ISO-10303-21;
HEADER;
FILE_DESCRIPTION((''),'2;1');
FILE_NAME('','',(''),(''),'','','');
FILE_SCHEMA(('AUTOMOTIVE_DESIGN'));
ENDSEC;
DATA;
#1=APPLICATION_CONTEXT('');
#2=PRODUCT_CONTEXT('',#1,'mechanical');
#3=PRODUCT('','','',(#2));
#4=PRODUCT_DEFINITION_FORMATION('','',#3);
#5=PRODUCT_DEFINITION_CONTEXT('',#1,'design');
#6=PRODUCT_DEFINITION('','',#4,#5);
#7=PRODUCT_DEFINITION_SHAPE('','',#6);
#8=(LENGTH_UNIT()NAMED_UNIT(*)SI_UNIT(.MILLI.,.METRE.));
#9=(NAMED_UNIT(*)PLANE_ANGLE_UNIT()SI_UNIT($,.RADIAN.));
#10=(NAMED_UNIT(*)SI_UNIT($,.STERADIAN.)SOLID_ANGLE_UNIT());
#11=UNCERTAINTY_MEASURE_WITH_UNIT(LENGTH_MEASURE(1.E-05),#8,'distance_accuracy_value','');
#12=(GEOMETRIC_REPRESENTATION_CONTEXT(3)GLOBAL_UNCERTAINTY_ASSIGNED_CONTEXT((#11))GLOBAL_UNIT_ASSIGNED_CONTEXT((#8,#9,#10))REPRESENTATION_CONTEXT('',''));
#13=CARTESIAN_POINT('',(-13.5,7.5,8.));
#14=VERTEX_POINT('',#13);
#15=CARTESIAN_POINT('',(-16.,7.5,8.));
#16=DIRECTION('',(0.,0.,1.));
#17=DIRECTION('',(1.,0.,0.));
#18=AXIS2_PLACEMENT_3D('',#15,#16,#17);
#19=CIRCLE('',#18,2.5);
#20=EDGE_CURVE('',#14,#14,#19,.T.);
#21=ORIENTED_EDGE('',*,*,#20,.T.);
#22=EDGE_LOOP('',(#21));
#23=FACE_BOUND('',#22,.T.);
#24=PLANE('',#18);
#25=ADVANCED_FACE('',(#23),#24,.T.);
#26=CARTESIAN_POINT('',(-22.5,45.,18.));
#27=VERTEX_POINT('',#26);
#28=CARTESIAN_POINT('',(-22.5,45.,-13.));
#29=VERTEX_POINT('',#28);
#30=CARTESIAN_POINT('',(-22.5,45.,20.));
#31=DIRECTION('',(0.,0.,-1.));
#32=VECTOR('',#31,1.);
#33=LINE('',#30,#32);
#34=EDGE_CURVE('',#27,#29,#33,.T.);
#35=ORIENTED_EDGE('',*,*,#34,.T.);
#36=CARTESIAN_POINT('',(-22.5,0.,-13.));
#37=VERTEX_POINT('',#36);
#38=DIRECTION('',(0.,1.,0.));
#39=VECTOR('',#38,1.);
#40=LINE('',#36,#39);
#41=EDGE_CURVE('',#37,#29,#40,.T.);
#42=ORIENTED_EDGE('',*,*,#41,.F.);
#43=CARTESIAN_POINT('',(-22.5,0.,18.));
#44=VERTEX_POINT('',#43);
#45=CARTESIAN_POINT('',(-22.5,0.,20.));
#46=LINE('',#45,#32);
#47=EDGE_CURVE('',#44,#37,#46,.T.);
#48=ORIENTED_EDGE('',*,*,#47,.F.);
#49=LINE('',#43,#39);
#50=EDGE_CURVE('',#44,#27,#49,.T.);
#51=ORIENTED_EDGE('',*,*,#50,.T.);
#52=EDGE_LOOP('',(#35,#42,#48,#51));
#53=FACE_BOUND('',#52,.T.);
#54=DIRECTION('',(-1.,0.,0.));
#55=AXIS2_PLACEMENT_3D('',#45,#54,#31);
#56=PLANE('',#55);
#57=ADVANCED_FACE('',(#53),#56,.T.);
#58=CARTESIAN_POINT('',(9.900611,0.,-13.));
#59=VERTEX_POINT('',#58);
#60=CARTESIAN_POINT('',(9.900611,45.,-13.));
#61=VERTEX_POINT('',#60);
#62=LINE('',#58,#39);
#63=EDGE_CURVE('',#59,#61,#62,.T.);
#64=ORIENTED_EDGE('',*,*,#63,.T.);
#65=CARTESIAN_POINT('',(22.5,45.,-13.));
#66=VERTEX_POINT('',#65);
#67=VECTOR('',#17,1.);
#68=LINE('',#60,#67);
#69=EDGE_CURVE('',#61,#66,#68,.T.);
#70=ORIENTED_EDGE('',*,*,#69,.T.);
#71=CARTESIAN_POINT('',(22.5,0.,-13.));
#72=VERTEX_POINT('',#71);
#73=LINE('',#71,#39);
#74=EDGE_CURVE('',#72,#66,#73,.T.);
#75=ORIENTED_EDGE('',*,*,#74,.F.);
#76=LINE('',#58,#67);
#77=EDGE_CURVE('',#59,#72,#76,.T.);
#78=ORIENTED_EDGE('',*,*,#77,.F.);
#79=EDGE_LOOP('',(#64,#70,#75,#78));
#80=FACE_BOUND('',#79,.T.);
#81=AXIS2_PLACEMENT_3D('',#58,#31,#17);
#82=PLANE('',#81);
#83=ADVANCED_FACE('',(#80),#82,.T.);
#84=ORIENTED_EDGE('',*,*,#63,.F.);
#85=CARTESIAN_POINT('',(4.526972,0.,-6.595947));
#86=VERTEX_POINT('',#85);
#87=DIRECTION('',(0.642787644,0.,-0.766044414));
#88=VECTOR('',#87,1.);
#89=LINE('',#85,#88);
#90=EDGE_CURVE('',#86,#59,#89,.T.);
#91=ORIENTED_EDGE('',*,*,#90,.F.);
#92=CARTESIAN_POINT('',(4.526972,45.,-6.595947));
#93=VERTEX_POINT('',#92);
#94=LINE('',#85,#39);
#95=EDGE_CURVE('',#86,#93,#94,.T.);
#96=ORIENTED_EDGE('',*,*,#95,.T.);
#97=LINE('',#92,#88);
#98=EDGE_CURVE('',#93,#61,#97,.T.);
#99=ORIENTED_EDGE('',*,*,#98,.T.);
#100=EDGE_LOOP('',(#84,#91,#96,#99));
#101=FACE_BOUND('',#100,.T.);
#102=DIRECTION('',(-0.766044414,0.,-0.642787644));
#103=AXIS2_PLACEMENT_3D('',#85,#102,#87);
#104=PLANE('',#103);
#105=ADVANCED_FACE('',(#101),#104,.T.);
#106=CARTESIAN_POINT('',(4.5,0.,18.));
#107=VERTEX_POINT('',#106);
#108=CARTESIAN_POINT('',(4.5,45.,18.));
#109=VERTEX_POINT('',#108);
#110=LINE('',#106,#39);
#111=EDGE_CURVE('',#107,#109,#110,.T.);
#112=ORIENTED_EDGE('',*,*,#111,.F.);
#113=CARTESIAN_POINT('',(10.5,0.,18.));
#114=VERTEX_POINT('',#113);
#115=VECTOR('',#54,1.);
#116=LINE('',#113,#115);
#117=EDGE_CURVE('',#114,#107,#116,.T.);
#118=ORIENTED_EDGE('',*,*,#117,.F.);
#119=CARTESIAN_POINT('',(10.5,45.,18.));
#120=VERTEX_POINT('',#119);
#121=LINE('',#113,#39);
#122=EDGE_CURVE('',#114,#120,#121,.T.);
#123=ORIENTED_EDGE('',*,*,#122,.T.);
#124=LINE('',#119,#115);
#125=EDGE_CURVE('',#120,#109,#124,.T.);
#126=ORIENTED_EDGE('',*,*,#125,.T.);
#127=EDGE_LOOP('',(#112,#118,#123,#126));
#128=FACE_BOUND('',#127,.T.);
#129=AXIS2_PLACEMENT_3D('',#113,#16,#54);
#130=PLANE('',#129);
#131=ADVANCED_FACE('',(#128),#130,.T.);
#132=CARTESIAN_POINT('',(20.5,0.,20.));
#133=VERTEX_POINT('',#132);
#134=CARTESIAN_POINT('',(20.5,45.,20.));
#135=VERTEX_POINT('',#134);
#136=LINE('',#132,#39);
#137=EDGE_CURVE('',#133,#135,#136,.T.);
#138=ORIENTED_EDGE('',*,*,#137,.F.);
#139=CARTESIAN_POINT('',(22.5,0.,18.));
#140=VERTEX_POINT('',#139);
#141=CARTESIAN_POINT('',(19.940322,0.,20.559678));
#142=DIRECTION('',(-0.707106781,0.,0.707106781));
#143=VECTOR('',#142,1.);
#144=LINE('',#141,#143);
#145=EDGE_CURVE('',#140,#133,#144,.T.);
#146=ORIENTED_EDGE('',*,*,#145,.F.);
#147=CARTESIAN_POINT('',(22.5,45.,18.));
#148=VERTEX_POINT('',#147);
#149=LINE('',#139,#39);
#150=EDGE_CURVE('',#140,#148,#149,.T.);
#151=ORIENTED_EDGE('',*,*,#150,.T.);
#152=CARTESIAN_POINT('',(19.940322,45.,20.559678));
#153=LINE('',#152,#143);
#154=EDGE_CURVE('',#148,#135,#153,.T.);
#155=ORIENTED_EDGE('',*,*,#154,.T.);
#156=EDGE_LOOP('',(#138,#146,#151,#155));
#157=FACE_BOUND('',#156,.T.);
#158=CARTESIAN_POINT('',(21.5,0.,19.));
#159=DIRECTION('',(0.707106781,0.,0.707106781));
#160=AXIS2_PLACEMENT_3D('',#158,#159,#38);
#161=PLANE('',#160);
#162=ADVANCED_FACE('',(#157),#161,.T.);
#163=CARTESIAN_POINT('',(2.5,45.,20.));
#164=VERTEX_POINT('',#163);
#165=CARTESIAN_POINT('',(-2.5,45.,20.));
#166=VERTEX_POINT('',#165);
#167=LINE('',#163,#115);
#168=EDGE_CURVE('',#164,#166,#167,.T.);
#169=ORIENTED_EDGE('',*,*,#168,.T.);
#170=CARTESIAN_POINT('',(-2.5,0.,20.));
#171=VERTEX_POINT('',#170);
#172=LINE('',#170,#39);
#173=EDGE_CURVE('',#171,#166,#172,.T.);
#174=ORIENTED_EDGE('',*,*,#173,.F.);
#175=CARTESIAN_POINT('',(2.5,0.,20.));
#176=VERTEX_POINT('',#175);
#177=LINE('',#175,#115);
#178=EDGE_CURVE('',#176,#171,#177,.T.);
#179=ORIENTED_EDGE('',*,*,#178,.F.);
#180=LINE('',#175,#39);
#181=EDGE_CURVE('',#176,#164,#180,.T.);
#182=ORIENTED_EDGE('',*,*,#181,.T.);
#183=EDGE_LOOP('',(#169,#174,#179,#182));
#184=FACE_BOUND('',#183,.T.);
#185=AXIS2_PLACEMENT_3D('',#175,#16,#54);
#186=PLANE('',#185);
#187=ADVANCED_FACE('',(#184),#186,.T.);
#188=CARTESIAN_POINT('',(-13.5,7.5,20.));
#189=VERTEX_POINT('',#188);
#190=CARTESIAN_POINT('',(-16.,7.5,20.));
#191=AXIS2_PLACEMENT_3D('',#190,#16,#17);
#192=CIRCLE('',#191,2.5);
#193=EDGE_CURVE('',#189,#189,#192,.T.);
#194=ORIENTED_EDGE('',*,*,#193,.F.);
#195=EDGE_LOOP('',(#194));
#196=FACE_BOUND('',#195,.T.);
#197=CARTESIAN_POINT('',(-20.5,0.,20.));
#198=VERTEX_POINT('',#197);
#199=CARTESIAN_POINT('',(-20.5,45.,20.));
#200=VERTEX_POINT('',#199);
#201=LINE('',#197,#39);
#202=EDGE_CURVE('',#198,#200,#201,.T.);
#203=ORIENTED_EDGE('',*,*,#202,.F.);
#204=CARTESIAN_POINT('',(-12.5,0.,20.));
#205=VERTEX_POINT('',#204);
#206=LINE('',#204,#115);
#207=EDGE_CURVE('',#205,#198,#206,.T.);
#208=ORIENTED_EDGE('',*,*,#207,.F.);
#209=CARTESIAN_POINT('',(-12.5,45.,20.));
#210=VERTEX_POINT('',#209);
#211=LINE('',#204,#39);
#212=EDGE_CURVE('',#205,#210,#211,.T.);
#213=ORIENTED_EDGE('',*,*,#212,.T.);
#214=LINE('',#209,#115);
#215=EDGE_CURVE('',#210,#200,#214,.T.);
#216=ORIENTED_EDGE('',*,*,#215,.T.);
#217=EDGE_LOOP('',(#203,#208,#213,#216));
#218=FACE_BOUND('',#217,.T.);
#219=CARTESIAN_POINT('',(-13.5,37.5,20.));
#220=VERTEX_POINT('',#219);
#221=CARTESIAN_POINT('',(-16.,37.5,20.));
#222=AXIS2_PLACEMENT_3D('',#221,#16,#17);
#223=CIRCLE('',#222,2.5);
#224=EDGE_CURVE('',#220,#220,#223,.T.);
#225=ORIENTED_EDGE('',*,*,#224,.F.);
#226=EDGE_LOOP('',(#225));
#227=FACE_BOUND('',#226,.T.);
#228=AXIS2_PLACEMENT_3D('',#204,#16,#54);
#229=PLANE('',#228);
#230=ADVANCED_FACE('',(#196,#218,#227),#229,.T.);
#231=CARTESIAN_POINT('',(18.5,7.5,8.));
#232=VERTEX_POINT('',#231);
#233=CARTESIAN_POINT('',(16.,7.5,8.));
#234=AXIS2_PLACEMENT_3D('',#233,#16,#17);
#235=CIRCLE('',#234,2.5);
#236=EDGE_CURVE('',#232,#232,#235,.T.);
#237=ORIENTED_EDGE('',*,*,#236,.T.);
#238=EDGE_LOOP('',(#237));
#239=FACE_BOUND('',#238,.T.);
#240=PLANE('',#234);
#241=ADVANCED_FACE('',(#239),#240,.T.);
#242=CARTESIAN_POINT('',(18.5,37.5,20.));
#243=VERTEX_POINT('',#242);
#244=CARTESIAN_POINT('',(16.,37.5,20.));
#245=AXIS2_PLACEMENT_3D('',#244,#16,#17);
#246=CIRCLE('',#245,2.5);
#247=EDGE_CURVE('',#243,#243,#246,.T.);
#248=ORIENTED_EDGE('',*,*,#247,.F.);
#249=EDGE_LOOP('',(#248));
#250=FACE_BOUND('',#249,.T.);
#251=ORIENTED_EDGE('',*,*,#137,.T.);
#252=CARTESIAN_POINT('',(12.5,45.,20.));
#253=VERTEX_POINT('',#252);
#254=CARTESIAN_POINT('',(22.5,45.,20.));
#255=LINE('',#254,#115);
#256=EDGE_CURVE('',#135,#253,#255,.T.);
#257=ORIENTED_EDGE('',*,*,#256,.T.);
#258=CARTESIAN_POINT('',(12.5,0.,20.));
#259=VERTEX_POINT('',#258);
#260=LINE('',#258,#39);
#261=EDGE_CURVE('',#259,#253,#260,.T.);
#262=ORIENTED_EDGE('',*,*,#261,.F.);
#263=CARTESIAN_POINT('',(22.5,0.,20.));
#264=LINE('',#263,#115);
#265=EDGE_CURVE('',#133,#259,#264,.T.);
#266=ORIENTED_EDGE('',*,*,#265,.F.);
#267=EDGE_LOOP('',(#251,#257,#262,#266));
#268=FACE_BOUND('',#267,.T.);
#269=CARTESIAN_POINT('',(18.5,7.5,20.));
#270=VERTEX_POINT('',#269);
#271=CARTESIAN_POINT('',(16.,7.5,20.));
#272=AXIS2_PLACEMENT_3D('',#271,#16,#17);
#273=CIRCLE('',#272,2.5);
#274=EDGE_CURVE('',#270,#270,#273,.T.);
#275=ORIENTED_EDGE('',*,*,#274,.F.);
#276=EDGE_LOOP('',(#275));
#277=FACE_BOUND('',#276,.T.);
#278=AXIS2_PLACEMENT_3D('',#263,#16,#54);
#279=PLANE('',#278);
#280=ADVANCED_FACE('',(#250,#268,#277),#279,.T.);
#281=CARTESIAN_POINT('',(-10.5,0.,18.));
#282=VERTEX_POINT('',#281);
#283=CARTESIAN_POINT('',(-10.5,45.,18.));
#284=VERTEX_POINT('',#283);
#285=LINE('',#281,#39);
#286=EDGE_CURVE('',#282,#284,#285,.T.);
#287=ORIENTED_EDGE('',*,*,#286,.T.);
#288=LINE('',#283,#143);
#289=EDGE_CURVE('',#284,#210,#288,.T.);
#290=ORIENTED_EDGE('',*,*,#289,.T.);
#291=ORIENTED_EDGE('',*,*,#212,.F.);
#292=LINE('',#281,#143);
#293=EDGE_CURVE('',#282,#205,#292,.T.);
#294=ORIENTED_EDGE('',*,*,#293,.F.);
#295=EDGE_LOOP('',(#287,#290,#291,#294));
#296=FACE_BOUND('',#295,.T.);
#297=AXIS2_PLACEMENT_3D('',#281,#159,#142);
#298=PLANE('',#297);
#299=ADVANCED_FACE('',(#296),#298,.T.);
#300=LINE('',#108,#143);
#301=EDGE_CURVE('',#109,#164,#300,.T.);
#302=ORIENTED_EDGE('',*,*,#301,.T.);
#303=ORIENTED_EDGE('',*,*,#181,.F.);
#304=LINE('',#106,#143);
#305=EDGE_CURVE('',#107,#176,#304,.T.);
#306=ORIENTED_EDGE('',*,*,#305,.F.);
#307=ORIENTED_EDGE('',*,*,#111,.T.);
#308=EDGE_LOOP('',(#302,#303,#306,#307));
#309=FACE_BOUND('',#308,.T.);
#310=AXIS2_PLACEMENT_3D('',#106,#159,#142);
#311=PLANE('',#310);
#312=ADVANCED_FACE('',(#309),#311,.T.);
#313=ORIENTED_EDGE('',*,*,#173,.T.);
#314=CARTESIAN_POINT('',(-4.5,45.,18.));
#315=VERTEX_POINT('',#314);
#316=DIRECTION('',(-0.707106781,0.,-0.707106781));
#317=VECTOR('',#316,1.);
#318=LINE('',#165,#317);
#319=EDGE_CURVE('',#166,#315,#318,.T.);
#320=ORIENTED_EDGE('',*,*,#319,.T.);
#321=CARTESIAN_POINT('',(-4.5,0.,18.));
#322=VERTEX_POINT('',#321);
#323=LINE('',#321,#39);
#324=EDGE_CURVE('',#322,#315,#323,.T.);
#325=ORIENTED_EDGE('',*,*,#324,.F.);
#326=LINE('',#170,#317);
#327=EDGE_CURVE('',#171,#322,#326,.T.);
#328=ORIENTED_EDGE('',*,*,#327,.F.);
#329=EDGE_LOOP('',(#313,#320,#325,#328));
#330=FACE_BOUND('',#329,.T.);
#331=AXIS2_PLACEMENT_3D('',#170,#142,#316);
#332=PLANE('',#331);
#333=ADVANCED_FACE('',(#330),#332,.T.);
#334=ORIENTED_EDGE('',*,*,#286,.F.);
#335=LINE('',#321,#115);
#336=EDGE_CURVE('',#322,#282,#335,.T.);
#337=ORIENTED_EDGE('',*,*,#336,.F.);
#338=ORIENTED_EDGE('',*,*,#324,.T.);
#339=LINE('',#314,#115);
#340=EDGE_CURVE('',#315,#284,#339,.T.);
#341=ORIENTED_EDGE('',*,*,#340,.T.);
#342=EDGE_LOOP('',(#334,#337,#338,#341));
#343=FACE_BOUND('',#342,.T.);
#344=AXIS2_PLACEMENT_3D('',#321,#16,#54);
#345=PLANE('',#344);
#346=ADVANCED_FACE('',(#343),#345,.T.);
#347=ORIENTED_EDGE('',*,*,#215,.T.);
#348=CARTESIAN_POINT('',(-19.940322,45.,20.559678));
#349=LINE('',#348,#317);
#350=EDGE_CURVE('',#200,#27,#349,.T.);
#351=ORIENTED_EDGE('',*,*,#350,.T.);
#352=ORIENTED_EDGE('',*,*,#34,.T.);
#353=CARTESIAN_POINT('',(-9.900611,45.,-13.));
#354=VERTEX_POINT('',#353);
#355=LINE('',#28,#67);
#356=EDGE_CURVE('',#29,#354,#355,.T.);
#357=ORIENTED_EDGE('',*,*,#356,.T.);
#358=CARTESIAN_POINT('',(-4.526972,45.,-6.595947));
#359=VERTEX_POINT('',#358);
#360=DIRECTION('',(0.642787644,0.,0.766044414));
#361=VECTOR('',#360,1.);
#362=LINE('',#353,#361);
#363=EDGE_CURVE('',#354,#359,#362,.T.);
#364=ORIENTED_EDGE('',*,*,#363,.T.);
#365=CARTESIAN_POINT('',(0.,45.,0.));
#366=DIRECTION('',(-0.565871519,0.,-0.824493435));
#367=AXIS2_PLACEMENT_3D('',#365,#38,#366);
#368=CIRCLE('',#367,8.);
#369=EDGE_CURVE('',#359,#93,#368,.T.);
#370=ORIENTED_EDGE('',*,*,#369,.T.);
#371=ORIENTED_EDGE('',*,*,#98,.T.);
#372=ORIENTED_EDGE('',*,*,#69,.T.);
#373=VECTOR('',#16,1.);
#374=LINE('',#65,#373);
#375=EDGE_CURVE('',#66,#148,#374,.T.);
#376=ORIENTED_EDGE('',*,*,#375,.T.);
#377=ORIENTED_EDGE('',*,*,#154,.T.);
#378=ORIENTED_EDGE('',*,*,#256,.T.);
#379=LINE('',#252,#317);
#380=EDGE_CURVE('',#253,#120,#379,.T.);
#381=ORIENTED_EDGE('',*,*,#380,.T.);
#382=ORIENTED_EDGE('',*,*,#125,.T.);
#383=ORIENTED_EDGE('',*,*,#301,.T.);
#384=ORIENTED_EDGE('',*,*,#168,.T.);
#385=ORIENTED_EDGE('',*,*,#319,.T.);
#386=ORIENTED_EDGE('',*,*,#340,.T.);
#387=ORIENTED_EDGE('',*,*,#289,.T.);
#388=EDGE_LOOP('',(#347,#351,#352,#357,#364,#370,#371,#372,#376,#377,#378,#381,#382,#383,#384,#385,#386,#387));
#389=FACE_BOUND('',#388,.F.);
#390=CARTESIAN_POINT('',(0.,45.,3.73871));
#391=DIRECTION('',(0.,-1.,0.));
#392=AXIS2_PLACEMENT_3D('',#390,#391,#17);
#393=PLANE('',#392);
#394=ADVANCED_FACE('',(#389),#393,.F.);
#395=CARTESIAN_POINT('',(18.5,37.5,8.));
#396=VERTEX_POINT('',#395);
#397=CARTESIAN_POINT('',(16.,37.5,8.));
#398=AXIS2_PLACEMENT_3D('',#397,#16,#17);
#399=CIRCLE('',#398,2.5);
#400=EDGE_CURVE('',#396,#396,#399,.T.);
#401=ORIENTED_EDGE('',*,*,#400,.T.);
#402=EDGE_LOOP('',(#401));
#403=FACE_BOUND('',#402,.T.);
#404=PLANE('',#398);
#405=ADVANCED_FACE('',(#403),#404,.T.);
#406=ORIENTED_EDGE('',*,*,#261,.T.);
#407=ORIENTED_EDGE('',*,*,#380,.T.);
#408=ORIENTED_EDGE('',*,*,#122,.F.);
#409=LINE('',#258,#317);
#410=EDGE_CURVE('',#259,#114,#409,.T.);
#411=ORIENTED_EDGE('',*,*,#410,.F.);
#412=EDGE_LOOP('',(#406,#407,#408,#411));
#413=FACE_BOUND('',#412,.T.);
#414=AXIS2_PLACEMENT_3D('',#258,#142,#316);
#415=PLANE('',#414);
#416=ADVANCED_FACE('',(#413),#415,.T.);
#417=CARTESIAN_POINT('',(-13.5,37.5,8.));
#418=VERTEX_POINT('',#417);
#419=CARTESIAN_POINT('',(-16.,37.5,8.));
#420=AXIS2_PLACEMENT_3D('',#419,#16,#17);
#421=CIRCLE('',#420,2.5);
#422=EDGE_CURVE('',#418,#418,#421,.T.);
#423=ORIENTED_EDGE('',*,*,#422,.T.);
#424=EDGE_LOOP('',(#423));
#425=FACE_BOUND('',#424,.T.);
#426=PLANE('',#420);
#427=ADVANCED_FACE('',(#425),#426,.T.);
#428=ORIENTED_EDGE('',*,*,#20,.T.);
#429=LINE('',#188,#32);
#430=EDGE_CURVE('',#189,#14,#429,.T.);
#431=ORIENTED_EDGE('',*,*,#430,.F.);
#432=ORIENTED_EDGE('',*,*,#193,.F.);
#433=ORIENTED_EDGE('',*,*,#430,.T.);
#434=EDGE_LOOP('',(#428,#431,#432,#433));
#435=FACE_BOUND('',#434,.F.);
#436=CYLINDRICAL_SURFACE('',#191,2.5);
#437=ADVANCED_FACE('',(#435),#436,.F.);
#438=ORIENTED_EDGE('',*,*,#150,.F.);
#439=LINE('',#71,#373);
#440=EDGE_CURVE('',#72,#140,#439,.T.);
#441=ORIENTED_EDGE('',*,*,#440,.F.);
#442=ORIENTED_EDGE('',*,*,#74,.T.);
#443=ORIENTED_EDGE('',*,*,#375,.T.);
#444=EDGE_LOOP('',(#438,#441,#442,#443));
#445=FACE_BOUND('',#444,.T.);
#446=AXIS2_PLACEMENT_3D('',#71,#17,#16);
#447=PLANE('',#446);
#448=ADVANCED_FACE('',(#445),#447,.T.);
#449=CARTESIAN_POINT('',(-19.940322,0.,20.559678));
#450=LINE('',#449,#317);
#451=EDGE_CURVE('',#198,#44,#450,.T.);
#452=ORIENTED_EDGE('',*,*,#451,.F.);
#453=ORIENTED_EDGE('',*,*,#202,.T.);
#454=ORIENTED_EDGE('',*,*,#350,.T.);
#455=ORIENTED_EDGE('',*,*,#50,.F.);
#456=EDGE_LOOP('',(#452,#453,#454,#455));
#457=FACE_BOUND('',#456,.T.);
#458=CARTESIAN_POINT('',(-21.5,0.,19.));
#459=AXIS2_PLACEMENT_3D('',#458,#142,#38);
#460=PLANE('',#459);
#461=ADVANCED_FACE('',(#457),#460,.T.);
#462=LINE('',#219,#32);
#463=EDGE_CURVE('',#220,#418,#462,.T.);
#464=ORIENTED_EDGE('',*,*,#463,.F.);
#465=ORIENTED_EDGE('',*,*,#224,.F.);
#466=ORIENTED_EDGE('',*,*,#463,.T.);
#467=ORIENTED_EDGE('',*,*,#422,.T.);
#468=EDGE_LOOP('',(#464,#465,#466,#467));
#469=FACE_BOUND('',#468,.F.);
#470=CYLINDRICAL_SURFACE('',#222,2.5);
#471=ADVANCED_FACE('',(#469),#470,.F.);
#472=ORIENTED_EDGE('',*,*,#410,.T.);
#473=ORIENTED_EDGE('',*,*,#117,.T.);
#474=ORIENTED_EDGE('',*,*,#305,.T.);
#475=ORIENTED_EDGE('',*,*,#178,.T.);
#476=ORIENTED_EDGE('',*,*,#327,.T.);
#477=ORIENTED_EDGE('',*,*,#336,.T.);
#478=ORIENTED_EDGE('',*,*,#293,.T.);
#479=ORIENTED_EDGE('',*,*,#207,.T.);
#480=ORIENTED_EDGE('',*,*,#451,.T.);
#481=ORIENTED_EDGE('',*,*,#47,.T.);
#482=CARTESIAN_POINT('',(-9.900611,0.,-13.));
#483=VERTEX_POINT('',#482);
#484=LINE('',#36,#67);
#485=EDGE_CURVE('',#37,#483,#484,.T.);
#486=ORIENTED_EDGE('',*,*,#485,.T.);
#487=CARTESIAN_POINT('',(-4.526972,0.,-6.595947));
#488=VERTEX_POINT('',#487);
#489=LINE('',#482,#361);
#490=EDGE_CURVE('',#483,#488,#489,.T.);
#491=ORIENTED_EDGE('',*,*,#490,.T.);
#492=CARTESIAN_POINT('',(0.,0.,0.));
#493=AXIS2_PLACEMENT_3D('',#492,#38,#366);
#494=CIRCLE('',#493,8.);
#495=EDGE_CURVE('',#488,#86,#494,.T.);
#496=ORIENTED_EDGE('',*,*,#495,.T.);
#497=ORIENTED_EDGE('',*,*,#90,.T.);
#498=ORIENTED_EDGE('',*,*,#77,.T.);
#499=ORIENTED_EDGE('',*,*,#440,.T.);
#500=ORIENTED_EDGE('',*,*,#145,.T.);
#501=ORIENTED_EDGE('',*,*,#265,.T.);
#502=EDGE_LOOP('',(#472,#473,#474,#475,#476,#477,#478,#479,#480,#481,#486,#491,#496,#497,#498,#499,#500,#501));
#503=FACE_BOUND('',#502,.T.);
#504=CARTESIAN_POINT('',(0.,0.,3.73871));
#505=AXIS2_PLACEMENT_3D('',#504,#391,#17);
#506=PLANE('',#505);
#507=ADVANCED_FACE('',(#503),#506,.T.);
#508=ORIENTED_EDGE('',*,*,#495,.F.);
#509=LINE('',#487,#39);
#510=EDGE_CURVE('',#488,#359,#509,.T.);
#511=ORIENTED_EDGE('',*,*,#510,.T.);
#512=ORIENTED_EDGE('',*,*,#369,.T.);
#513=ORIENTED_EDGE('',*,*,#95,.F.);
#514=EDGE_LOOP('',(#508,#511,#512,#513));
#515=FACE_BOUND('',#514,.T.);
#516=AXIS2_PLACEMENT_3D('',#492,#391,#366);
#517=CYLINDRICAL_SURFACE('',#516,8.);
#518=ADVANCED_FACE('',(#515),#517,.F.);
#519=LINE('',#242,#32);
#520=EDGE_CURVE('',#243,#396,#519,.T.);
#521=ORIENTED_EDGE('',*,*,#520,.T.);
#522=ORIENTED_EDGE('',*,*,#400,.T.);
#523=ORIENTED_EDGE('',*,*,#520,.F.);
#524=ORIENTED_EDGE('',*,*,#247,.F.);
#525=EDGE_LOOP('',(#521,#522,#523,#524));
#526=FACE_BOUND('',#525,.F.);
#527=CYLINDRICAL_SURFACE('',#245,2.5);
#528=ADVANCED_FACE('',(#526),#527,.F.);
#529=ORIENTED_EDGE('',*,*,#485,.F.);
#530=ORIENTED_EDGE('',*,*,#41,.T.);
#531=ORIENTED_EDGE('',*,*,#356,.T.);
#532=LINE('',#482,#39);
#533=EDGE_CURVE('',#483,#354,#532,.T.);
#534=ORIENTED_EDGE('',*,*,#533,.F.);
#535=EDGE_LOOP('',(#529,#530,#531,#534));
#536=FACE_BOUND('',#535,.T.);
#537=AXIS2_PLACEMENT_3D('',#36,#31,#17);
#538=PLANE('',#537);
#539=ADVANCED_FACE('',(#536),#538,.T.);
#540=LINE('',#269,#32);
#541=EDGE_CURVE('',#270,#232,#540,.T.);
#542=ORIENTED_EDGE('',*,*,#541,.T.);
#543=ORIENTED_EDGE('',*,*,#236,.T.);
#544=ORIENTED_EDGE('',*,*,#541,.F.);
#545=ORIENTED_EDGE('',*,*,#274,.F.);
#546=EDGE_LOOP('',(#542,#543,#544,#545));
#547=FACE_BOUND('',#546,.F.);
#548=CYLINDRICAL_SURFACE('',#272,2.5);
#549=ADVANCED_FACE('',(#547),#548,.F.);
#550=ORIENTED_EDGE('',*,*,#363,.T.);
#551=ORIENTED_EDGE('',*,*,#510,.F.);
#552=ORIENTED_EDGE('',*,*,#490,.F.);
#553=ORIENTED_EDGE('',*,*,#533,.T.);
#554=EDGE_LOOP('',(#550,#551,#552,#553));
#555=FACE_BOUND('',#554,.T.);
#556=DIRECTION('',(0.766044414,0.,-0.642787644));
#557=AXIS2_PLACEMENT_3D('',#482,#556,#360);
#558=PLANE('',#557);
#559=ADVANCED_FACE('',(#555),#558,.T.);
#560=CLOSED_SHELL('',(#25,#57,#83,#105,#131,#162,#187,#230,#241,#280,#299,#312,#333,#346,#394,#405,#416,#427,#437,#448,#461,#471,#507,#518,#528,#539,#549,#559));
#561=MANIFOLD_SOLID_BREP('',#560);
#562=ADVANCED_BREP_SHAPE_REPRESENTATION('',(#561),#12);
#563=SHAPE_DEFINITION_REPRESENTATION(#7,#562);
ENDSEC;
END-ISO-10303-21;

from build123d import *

# Parameters (mm, degrees)
F1_DEPTH = 45
F3_SIZE  = 2
F2_R     = 2.5
F4_DEPTH = 12


with BuildPart() as f1:
    # F0 (on Front) → F1 (new body)
    with BuildSketch(Plane.XZ):
        with BuildLine():
            ThreePointArc((-4.526972, -6.595947), (0, 8), (4.526972, -6.595947))
            Line((4.526972, -6.595947), (9.900611, -13))
            Line((9.900611, -13), (22.5, -13))
            Line((22.5, -13), (22.5, 20))
            Line((22.5, 20), (12.5, 20))
            Line((12.5, 20), (10.5, 18))
            Line((10.5, 18), (4.5, 18))
            Line((4.5, 18), (2.5, 20))
            Line((2.5, 20), (0, 20))
            Line((0, 20), (-2.5, 20))
            Line((-2.5, 20), (-4.5, 18))
            Line((-4.5, 18), (-10.5, 18))
            Line((-10.5, 18), (-12.5, 20))
            Line((-12.5, 20), (-22.5, 20))
            Line((-22.5, 20), (-22.5, -13))
            Line((-22.5, -13), (-9.900611, -13))
            Line((-9.900611, -13), (-4.526972, -6.595947))
        make_face()
    extrude(amount=-F1_DEPTH)

    # F3
    f3_edges = [f1.edges().sort_by_distance(p)[0] for p in [
        (22.5, 22.5, 20),
        (-22.5, 22.5, 20),
    ]]
    chamfer(f3_edges, length=F3_SIZE)

    # F2 (on face) → F4 (cut)
    with BuildSketch(Plane.XY.offset(20)):
        with Locations((-16, 37.5)):
            Circle(F2_R)
        with Locations((-16, 7.5)):
            Circle(F2_R)
        with Locations((16, 37.5)):
            Circle(F2_R)
        with Locations((16, 7.5)):
            Circle(F2_R)
    extrude(amount=-F4_DEPTH, mode=Mode.SUBTRACT)


solid = f1.part
